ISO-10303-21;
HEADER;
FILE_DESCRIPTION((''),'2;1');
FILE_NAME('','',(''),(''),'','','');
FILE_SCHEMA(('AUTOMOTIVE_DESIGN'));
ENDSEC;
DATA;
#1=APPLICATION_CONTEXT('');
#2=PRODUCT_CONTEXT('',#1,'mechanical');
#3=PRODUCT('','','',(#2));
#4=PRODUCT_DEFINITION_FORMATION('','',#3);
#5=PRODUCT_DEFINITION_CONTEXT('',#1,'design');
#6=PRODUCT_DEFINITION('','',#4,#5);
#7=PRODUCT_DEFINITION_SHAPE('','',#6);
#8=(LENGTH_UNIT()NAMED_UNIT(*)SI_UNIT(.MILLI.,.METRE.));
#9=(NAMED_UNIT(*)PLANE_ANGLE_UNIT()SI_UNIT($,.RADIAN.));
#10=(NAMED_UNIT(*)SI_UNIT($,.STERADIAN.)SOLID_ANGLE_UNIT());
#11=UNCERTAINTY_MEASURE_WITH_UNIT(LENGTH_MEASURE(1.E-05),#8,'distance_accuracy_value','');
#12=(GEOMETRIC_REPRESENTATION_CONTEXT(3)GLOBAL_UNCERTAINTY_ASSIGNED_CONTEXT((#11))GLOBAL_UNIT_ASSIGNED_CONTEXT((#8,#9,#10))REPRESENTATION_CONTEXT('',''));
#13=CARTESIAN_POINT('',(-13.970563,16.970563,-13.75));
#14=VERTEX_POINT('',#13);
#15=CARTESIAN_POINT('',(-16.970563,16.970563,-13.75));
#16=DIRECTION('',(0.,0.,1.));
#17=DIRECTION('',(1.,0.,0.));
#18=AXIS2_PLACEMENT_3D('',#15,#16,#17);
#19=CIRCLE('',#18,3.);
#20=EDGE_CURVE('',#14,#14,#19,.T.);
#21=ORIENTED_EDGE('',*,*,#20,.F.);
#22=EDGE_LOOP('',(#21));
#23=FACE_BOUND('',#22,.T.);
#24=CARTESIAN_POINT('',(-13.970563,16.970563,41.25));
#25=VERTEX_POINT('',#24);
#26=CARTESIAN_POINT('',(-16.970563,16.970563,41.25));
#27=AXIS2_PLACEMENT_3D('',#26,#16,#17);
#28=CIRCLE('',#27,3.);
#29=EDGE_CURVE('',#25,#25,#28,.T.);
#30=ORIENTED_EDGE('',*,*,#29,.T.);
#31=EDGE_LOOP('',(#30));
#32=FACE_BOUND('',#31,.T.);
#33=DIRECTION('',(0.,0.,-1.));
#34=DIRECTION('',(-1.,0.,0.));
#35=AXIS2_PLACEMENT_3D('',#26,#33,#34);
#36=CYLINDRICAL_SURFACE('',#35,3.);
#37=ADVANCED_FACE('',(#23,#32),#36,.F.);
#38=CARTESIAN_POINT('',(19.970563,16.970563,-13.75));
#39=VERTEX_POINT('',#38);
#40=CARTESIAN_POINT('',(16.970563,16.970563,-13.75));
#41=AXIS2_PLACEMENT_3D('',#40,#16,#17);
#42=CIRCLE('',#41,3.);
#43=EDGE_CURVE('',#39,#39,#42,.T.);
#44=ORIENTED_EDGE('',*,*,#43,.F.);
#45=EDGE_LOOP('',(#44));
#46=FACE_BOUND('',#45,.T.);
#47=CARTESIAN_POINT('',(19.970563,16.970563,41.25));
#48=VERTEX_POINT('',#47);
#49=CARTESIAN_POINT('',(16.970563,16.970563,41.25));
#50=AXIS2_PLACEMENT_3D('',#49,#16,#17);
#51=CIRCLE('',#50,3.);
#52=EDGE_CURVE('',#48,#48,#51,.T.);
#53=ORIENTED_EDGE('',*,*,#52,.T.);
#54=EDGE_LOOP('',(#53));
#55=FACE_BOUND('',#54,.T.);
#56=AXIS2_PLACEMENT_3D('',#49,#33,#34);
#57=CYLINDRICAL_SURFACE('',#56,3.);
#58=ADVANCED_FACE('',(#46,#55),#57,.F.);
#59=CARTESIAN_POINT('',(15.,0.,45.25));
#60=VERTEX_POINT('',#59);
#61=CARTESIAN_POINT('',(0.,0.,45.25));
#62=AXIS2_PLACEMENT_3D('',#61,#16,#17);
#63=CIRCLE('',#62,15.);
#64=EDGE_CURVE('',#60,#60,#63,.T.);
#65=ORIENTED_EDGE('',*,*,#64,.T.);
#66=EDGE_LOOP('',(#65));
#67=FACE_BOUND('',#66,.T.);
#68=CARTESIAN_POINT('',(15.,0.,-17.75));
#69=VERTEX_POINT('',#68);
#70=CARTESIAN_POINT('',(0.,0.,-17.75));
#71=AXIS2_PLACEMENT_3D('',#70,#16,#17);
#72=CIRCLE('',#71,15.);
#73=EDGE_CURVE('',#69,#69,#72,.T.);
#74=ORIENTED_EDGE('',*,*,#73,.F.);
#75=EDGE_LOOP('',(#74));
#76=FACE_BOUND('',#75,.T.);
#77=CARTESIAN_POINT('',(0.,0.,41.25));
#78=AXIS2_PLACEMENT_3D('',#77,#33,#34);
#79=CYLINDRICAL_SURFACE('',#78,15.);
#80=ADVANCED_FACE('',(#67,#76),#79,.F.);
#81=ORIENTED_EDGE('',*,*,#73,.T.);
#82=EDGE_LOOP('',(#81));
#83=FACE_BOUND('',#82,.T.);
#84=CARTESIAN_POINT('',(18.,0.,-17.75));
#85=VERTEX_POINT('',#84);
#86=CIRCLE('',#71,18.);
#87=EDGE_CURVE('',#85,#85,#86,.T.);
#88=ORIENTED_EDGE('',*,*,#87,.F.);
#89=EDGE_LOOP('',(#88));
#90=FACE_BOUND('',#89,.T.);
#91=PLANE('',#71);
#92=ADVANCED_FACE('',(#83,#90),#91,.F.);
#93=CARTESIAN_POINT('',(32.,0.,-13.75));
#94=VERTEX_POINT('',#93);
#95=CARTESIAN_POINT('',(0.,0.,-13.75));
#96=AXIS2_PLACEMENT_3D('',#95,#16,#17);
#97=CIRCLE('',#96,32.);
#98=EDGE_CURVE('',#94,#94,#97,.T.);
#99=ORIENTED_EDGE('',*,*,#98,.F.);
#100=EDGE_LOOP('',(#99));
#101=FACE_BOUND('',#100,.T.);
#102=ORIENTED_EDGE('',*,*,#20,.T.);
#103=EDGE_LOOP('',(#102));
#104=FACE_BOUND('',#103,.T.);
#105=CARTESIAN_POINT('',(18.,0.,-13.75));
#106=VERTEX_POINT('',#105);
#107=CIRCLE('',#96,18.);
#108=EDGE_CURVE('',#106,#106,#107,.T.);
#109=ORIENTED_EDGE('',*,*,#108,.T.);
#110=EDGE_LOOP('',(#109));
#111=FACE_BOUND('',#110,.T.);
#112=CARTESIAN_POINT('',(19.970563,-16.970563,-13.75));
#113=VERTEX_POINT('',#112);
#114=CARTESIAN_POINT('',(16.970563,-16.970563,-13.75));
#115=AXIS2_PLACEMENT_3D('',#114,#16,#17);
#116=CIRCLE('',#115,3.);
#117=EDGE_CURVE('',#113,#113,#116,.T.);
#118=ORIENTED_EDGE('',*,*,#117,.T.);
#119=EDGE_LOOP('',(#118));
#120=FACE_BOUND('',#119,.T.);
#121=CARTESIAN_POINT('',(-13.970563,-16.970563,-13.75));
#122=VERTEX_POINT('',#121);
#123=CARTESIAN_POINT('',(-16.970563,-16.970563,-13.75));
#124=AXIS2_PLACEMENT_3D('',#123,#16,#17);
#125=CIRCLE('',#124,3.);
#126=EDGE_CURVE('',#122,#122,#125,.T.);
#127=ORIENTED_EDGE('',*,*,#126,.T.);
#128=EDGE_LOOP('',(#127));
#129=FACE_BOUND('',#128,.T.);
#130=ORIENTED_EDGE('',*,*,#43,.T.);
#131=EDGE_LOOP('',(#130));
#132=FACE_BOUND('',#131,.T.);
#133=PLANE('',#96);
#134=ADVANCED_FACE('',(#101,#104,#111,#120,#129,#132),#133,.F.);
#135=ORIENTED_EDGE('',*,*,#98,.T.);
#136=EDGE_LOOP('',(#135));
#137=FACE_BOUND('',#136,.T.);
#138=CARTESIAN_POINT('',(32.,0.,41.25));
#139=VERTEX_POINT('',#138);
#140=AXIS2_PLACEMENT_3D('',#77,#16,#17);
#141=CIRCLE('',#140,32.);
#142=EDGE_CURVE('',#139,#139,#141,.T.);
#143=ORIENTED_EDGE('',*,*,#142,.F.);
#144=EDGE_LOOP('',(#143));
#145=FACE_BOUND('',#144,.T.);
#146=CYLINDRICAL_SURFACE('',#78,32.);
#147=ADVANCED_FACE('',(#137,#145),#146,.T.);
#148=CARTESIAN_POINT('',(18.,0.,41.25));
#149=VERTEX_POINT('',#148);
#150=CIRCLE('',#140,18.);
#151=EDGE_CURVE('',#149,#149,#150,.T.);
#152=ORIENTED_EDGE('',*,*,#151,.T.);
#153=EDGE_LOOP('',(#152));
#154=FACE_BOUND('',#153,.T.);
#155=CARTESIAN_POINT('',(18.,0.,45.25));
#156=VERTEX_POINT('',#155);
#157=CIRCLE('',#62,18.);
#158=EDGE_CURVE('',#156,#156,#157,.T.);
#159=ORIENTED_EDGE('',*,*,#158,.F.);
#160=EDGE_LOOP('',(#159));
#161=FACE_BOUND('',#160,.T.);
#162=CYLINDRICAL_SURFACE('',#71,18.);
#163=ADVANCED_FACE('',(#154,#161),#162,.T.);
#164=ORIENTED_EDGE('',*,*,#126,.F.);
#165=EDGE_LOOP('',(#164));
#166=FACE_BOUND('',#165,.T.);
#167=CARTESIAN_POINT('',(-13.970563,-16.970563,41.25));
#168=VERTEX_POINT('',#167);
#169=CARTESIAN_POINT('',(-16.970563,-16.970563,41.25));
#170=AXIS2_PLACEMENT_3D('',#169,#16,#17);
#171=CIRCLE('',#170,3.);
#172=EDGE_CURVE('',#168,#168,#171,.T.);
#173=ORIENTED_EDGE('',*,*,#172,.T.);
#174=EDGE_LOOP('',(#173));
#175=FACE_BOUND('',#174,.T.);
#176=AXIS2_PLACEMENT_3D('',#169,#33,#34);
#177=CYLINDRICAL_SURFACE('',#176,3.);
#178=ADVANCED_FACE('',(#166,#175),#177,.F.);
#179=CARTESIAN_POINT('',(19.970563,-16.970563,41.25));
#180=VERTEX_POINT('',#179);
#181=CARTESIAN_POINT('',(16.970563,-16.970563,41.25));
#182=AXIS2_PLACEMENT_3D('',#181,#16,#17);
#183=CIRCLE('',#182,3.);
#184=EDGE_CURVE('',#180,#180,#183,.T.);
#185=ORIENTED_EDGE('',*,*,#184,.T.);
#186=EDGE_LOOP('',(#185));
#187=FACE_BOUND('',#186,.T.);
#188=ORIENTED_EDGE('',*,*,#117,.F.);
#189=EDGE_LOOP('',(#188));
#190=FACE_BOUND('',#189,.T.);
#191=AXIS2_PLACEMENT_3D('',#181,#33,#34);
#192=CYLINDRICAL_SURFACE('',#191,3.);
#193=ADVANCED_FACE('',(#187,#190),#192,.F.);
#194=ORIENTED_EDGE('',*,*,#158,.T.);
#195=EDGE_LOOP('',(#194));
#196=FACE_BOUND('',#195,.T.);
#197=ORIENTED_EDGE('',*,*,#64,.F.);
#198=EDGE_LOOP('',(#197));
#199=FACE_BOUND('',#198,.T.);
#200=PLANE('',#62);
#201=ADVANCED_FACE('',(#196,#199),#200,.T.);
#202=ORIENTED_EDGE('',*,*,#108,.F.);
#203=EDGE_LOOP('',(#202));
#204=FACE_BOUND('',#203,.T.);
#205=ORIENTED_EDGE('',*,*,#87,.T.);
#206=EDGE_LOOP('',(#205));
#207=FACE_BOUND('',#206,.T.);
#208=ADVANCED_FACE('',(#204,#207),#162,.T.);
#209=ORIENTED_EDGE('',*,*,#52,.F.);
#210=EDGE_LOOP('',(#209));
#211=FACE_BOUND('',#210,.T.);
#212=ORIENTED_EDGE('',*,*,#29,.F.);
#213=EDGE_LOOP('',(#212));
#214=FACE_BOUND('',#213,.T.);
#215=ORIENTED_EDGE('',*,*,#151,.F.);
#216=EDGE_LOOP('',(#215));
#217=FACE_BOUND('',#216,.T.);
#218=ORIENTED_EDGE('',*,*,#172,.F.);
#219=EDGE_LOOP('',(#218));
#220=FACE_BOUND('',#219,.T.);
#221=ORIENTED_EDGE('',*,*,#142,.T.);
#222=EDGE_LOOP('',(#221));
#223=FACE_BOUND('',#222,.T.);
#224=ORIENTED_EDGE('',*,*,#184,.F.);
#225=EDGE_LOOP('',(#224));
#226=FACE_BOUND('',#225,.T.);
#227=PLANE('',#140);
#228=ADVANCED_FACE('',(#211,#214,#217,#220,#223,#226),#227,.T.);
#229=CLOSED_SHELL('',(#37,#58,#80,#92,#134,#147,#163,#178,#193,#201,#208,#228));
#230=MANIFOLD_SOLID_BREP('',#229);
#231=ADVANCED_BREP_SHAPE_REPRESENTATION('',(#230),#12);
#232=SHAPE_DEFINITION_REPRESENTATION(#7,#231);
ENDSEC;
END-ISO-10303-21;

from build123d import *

# Parameters (mm, degrees)
SKETCH1_R                = 16
SKETCH1_R_2              = 7.5
SKETCH1_R_3              = 1.5
BOSS_EXTRUDE1_DEPTH      = 27.5
SKETCH2_R                = 9
SKETCH2_R_2              = 7.5
BOSS_EXTRUDE2_DEPTH      = 2
BOSS_EXTRUDE2_DEPTH_BACK = 29.5
SCALE1_SCALE             = 2


with BuildPart() as part:
    # Sketch1 → Boss-Extrude1 (new body)
    with BuildSketch(Plane.XY):
        Circle(SKETCH1_R)
        Circle(SKETCH1_R_2, mode=Mode.SUBTRACT)
        with Locations((-8.485281374, 8.485281374)):
            Circle(SKETCH1_R_3, mode=Mode.SUBTRACT)
        with Locations((8.485281374, 8.485281374)):
            Circle(SKETCH1_R_3, mode=Mode.SUBTRACT)
        with Locations((8.485281374, -8.485281374)):
            Circle(SKETCH1_R_3, mode=Mode.SUBTRACT)
        with Locations((-8.485281374, -8.485281374)):
            Circle(SKETCH1_R_3, mode=Mode.SUBTRACT)
    extrude(amount=BOSS_EXTRUDE1_DEPTH)

    # Sketch2 → Boss-Extrude2 (add, two sides)
    with BuildSketch(Plane.XY.offset(27.5)) as boss_extrude2_sk:
        Circle(SKETCH2_R)
        Circle(SKETCH2_R_2, mode=Mode.SUBTRACT)
    extrude(amount=BOSS_EXTRUDE2_DEPTH)
    extrude(boss_extrude2_sk.sketch, amount=-BOSS_EXTRUDE2_DEPTH_BACK)


with BuildPart() as part_1:
    # Scale1: scaled about (0, 0, 13.75)
    add(part.part.scale(SCALE1_SCALE).moved(Location((0, 0, -13.75))))


solid = part_1.part
